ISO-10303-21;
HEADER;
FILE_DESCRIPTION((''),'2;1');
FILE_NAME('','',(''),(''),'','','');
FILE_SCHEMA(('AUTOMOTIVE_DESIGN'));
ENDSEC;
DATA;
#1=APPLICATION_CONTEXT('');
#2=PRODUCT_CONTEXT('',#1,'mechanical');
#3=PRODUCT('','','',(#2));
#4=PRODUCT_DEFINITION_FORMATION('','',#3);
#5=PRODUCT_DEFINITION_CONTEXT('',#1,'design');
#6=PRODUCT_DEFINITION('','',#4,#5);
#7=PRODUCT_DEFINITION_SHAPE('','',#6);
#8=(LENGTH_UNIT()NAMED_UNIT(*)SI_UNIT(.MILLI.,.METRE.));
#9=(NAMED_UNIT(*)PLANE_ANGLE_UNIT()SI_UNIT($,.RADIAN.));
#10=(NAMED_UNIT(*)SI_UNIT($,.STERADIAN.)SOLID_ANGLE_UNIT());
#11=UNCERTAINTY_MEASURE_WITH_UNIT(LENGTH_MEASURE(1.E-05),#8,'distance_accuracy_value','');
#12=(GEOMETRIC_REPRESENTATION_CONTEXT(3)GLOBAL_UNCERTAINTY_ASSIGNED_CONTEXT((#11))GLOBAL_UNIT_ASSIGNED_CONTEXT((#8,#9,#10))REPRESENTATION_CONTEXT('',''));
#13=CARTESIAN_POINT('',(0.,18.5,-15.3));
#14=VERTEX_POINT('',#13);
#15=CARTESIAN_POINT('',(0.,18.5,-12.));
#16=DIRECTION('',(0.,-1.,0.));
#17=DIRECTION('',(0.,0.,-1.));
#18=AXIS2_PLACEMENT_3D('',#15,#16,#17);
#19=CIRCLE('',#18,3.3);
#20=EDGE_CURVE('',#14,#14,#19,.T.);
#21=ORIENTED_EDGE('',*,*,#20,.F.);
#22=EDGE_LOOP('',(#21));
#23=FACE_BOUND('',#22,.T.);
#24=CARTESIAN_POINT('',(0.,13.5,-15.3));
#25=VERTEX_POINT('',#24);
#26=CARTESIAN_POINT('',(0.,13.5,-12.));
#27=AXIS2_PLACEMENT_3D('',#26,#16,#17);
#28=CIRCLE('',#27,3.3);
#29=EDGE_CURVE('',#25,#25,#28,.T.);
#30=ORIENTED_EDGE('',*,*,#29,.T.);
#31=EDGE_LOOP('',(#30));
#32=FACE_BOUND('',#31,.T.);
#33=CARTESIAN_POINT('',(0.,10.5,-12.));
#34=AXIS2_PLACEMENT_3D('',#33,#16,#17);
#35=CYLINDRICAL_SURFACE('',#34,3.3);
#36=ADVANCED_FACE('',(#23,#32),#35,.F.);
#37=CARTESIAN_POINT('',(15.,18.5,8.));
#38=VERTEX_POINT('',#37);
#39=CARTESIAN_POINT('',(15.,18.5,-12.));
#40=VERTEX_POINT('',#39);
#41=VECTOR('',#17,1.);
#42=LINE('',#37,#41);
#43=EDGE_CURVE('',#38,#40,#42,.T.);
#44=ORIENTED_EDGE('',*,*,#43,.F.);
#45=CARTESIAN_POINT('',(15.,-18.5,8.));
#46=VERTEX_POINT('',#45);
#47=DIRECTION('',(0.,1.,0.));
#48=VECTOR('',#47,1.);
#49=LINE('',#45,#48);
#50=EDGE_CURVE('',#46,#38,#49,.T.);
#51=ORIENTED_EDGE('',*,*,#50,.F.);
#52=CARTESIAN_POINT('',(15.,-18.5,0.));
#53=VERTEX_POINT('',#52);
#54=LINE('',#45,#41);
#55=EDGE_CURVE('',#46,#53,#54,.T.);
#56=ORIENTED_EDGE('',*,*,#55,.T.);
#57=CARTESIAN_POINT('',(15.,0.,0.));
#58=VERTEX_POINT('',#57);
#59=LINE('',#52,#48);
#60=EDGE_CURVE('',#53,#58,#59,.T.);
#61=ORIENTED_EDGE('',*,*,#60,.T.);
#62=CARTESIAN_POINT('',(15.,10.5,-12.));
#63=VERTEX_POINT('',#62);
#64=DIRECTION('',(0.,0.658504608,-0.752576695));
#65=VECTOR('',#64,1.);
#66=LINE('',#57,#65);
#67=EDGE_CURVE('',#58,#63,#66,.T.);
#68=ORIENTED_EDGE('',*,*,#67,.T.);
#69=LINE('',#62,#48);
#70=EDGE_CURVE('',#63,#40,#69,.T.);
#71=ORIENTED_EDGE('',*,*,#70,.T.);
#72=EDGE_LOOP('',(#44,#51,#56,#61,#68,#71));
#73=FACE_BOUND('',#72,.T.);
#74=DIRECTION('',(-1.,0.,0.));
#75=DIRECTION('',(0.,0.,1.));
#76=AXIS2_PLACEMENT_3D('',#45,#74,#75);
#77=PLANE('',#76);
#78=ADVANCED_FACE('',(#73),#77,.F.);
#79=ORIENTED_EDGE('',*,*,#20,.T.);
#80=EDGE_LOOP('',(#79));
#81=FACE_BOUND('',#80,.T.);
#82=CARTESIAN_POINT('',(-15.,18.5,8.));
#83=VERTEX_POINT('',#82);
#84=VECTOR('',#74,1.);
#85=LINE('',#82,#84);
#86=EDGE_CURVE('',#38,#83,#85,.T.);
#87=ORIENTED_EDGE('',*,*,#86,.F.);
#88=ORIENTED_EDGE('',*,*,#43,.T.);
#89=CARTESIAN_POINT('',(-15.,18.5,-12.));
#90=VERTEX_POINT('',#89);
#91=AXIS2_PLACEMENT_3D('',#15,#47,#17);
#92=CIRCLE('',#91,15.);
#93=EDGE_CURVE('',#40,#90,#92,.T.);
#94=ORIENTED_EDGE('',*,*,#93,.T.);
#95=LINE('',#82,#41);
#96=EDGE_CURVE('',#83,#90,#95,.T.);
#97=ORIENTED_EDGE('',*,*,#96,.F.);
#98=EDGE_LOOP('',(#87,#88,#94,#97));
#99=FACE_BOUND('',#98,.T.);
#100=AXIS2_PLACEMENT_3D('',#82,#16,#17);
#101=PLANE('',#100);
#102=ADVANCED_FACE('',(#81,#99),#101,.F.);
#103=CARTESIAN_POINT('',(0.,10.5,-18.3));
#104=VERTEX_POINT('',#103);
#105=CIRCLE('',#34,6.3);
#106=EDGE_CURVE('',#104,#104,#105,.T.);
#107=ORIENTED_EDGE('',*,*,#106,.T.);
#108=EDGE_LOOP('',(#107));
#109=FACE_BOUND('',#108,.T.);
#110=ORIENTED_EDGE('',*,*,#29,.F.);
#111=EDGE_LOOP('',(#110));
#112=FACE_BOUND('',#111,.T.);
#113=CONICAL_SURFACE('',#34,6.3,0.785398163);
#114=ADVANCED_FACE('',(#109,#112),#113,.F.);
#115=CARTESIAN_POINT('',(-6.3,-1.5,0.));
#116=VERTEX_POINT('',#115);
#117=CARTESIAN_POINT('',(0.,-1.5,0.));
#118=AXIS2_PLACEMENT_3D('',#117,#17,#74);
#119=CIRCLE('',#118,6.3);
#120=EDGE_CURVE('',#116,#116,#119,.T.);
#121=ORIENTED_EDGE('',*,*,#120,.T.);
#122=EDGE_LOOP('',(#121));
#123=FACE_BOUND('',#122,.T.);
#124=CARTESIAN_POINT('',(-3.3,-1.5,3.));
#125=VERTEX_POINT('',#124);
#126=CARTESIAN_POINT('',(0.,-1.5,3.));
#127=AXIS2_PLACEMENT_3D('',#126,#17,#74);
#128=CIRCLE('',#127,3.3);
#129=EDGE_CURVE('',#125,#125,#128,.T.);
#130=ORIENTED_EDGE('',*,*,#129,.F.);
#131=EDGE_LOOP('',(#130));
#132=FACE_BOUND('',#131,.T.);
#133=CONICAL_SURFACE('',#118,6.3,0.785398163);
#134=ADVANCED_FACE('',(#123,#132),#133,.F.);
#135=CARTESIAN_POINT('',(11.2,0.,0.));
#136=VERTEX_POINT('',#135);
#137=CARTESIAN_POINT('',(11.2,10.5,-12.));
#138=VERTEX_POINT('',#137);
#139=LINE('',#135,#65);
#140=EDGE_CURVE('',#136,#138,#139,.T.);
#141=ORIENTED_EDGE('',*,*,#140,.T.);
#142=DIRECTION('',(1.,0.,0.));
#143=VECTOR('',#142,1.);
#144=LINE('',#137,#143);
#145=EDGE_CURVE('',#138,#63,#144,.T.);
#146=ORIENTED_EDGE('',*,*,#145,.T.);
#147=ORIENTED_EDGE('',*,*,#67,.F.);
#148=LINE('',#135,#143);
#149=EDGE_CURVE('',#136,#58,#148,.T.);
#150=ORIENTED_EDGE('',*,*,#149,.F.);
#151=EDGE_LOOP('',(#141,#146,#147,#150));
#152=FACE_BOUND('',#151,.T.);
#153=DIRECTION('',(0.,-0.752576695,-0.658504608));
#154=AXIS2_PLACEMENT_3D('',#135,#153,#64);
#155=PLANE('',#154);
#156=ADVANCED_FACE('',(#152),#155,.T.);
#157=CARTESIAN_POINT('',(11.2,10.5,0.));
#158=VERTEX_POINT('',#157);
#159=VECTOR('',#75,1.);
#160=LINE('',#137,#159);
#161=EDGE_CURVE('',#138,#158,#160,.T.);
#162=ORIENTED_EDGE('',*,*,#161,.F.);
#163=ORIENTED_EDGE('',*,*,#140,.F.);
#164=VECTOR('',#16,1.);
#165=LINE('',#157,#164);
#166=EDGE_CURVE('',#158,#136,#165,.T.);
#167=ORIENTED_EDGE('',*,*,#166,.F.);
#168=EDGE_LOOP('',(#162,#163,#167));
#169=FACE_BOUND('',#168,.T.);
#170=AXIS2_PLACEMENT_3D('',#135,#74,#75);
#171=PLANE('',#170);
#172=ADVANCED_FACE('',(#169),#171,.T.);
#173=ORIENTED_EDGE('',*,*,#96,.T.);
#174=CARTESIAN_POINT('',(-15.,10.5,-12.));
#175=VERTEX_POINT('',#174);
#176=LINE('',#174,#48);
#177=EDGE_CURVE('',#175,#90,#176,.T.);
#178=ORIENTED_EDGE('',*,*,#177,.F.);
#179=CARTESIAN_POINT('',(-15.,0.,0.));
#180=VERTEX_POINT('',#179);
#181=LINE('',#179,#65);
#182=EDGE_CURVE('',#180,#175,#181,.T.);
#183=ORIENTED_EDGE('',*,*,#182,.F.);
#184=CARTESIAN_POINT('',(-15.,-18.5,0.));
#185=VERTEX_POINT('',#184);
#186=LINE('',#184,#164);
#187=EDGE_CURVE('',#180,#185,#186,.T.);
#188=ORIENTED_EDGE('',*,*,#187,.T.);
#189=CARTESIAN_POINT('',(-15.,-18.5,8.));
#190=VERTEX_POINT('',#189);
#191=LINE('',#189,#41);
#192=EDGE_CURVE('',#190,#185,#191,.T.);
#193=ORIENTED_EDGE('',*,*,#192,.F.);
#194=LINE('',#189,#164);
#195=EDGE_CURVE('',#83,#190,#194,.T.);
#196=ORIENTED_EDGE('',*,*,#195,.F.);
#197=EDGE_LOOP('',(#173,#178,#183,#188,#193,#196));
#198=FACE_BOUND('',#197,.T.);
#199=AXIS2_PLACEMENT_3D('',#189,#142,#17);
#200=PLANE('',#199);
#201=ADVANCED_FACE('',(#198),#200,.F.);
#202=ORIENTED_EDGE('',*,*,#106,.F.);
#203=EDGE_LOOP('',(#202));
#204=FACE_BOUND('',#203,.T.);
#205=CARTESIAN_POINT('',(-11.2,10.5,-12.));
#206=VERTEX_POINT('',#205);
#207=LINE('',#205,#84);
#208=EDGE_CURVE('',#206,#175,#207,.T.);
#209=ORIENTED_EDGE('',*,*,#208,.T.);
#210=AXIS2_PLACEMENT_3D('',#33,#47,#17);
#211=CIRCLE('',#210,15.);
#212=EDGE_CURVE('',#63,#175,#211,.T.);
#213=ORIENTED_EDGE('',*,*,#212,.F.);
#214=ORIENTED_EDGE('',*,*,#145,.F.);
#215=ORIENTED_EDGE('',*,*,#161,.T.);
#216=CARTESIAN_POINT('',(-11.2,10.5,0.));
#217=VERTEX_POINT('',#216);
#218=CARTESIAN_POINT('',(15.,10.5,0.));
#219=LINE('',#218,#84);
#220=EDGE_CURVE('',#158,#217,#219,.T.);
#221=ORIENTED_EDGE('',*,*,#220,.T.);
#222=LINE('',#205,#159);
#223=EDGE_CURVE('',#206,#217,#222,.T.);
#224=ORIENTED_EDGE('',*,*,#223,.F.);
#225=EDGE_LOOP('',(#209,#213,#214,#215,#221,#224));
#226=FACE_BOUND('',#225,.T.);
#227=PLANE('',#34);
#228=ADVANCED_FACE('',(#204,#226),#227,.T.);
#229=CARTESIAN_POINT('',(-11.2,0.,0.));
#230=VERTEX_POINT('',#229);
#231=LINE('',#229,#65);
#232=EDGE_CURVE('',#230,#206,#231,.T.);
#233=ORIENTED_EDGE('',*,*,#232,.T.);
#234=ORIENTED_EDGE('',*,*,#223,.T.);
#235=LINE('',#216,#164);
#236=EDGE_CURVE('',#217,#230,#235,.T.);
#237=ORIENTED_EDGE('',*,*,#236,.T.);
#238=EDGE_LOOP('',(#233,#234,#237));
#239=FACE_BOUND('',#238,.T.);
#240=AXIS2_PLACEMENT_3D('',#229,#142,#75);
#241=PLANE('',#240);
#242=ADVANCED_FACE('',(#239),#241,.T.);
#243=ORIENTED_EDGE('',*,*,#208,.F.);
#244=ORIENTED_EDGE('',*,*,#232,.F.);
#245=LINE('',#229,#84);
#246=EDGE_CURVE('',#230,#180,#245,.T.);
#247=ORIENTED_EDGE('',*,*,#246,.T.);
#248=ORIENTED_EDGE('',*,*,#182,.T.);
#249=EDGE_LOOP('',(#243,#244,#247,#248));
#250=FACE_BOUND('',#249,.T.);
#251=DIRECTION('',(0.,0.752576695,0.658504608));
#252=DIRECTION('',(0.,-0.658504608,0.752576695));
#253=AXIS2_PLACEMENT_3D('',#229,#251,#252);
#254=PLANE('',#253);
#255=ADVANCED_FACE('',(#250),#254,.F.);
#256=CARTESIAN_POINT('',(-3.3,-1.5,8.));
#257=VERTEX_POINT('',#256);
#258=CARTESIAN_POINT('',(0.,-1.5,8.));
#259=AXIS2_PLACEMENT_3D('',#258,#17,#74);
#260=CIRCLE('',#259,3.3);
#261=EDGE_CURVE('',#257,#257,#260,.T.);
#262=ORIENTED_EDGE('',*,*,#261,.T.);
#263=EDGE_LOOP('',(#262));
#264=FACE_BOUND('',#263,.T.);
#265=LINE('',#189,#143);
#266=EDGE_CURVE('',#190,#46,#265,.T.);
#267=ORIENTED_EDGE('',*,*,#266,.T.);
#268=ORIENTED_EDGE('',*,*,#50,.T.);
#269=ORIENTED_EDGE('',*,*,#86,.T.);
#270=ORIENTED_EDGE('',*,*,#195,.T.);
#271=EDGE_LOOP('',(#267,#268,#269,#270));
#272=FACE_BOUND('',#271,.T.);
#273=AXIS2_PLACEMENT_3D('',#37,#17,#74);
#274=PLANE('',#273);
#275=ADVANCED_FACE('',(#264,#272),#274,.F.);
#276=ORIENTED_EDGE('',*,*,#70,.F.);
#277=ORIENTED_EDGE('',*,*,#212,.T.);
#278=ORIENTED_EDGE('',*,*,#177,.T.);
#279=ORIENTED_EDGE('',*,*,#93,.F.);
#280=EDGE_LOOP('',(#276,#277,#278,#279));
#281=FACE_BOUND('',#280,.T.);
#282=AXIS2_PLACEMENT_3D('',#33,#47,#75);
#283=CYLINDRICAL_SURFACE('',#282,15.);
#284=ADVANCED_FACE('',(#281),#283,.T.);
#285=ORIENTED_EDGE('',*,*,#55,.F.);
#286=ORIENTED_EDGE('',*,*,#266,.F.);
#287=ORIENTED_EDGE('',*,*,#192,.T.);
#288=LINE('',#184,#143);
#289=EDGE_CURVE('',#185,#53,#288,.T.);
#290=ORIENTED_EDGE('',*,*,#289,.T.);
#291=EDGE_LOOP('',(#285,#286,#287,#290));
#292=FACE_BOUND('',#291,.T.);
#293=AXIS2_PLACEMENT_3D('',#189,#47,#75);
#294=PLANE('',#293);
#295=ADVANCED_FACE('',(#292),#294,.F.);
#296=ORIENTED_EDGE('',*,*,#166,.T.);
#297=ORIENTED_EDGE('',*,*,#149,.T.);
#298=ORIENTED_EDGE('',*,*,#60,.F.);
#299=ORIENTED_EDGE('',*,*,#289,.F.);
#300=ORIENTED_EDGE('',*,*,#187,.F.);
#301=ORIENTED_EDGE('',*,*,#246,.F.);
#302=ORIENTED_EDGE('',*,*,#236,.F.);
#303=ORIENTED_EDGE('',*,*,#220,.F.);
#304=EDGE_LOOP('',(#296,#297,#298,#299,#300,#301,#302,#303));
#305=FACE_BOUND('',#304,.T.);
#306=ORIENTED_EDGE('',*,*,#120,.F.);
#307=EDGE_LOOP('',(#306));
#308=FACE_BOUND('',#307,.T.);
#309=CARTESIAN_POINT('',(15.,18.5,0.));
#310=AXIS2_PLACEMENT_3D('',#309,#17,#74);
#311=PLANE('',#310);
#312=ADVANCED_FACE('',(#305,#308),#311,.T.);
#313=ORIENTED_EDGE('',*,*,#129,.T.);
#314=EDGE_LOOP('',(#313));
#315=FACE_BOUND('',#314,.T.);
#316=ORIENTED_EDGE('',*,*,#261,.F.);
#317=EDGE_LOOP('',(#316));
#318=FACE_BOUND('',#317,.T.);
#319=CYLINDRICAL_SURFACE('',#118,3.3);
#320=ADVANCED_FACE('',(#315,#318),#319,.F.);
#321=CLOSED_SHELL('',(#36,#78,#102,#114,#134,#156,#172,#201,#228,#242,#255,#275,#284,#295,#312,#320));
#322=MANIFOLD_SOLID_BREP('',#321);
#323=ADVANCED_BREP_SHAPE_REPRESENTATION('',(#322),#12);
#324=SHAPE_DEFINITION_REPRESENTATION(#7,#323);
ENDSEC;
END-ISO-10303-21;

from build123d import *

# Parameters (mm, degrees)
SKETCH_1_W                   = 30
SKETCH_1_H                   = 37
EXTRUDE_1_DEPTH              = 8
EXTRUDE_2_DEPTH              = 8
EXTRUDE_3_DEPTH              = 3.8
HOLE_WIZARD_M6_1_D           = 6.6
HOLE_WIZARD_M6_1_CSINK_D     = 12.6
HOLE_WIZARD_M6_1_CSINK_ANGLE = 90
HOLE_WIZARD_M6_2_D           = 6.6
HOLE_WIZARD_M6_2_CSINK_D     = 12.6
HOLE_WIZARD_M6_2_CSINK_ANGLE = 90


with BuildPart() as part:
    # 草图1 → 凸台-拉伸1 (new body)
    with BuildSketch(Plane.XY):
        Rectangle(SKETCH_1_W, SKETCH_1_H)
    extrude(amount=EXTRUDE_1_DEPTH)

    # 草图2 → 凸台-拉伸2 (add)
    with BuildSketch(Plane(origin=(0, 18.5, 0), x_dir=(1, 0, 0), z_dir=(0, 1, 0))):
        with BuildLine():
            Line((-15, -8), (15, -8))
            Line((15, -8), (15, 12))
            ThreePointArc((15, 12), (0, 27), (-15, 12))
            Line((-15, 12), (-15, -8))
        make_face()
    extrude(amount=-EXTRUDE_2_DEPTH)

    # 草图5 → 凸台-拉伸3 (add)
    with BuildSketch(Plane(origin=(15, 0, 0), x_dir=(0, 0, -1), z_dir=(1, 0, 0))):
        Polygon((12, 10.5), (0, 10.5), (0, 0), align=None)
    extrude_3 = extrude(amount=-EXTRUDE_3_DEPTH)

    # 镜向1: 凸台-拉伸3 across plane
    add(extrude_3.mirror(Plane(origin=(0, 0, 0), x_dir=(0, 0, 1), z_dir=(1, 0, 0))))

    # M6 平锥沉头螺钉的锥形沉头孔1 (through all)
    with Locations(Plane(origin=(0, 0, 0), x_dir=(-1, 0, 0), z_dir=(0, 0, -1))):
        with Locations((0, -1.5)):
            CounterSinkHole(HOLE_WIZARD_M6_1_D / 2, HOLE_WIZARD_M6_1_CSINK_D / 2, counter_sink_angle=HOLE_WIZARD_M6_1_CSINK_ANGLE)

    # M6 平锥沉头螺钉的锥形沉头孔2 (through all)
    with Locations(Plane.XZ.offset(-10.5)):
        with Locations((0, -12)):
            CounterSinkHole(HOLE_WIZARD_M6_2_D / 2, HOLE_WIZARD_M6_2_CSINK_D / 2, counter_sink_angle=HOLE_WIZARD_M6_2_CSINK_ANGLE)


solid = part.part
